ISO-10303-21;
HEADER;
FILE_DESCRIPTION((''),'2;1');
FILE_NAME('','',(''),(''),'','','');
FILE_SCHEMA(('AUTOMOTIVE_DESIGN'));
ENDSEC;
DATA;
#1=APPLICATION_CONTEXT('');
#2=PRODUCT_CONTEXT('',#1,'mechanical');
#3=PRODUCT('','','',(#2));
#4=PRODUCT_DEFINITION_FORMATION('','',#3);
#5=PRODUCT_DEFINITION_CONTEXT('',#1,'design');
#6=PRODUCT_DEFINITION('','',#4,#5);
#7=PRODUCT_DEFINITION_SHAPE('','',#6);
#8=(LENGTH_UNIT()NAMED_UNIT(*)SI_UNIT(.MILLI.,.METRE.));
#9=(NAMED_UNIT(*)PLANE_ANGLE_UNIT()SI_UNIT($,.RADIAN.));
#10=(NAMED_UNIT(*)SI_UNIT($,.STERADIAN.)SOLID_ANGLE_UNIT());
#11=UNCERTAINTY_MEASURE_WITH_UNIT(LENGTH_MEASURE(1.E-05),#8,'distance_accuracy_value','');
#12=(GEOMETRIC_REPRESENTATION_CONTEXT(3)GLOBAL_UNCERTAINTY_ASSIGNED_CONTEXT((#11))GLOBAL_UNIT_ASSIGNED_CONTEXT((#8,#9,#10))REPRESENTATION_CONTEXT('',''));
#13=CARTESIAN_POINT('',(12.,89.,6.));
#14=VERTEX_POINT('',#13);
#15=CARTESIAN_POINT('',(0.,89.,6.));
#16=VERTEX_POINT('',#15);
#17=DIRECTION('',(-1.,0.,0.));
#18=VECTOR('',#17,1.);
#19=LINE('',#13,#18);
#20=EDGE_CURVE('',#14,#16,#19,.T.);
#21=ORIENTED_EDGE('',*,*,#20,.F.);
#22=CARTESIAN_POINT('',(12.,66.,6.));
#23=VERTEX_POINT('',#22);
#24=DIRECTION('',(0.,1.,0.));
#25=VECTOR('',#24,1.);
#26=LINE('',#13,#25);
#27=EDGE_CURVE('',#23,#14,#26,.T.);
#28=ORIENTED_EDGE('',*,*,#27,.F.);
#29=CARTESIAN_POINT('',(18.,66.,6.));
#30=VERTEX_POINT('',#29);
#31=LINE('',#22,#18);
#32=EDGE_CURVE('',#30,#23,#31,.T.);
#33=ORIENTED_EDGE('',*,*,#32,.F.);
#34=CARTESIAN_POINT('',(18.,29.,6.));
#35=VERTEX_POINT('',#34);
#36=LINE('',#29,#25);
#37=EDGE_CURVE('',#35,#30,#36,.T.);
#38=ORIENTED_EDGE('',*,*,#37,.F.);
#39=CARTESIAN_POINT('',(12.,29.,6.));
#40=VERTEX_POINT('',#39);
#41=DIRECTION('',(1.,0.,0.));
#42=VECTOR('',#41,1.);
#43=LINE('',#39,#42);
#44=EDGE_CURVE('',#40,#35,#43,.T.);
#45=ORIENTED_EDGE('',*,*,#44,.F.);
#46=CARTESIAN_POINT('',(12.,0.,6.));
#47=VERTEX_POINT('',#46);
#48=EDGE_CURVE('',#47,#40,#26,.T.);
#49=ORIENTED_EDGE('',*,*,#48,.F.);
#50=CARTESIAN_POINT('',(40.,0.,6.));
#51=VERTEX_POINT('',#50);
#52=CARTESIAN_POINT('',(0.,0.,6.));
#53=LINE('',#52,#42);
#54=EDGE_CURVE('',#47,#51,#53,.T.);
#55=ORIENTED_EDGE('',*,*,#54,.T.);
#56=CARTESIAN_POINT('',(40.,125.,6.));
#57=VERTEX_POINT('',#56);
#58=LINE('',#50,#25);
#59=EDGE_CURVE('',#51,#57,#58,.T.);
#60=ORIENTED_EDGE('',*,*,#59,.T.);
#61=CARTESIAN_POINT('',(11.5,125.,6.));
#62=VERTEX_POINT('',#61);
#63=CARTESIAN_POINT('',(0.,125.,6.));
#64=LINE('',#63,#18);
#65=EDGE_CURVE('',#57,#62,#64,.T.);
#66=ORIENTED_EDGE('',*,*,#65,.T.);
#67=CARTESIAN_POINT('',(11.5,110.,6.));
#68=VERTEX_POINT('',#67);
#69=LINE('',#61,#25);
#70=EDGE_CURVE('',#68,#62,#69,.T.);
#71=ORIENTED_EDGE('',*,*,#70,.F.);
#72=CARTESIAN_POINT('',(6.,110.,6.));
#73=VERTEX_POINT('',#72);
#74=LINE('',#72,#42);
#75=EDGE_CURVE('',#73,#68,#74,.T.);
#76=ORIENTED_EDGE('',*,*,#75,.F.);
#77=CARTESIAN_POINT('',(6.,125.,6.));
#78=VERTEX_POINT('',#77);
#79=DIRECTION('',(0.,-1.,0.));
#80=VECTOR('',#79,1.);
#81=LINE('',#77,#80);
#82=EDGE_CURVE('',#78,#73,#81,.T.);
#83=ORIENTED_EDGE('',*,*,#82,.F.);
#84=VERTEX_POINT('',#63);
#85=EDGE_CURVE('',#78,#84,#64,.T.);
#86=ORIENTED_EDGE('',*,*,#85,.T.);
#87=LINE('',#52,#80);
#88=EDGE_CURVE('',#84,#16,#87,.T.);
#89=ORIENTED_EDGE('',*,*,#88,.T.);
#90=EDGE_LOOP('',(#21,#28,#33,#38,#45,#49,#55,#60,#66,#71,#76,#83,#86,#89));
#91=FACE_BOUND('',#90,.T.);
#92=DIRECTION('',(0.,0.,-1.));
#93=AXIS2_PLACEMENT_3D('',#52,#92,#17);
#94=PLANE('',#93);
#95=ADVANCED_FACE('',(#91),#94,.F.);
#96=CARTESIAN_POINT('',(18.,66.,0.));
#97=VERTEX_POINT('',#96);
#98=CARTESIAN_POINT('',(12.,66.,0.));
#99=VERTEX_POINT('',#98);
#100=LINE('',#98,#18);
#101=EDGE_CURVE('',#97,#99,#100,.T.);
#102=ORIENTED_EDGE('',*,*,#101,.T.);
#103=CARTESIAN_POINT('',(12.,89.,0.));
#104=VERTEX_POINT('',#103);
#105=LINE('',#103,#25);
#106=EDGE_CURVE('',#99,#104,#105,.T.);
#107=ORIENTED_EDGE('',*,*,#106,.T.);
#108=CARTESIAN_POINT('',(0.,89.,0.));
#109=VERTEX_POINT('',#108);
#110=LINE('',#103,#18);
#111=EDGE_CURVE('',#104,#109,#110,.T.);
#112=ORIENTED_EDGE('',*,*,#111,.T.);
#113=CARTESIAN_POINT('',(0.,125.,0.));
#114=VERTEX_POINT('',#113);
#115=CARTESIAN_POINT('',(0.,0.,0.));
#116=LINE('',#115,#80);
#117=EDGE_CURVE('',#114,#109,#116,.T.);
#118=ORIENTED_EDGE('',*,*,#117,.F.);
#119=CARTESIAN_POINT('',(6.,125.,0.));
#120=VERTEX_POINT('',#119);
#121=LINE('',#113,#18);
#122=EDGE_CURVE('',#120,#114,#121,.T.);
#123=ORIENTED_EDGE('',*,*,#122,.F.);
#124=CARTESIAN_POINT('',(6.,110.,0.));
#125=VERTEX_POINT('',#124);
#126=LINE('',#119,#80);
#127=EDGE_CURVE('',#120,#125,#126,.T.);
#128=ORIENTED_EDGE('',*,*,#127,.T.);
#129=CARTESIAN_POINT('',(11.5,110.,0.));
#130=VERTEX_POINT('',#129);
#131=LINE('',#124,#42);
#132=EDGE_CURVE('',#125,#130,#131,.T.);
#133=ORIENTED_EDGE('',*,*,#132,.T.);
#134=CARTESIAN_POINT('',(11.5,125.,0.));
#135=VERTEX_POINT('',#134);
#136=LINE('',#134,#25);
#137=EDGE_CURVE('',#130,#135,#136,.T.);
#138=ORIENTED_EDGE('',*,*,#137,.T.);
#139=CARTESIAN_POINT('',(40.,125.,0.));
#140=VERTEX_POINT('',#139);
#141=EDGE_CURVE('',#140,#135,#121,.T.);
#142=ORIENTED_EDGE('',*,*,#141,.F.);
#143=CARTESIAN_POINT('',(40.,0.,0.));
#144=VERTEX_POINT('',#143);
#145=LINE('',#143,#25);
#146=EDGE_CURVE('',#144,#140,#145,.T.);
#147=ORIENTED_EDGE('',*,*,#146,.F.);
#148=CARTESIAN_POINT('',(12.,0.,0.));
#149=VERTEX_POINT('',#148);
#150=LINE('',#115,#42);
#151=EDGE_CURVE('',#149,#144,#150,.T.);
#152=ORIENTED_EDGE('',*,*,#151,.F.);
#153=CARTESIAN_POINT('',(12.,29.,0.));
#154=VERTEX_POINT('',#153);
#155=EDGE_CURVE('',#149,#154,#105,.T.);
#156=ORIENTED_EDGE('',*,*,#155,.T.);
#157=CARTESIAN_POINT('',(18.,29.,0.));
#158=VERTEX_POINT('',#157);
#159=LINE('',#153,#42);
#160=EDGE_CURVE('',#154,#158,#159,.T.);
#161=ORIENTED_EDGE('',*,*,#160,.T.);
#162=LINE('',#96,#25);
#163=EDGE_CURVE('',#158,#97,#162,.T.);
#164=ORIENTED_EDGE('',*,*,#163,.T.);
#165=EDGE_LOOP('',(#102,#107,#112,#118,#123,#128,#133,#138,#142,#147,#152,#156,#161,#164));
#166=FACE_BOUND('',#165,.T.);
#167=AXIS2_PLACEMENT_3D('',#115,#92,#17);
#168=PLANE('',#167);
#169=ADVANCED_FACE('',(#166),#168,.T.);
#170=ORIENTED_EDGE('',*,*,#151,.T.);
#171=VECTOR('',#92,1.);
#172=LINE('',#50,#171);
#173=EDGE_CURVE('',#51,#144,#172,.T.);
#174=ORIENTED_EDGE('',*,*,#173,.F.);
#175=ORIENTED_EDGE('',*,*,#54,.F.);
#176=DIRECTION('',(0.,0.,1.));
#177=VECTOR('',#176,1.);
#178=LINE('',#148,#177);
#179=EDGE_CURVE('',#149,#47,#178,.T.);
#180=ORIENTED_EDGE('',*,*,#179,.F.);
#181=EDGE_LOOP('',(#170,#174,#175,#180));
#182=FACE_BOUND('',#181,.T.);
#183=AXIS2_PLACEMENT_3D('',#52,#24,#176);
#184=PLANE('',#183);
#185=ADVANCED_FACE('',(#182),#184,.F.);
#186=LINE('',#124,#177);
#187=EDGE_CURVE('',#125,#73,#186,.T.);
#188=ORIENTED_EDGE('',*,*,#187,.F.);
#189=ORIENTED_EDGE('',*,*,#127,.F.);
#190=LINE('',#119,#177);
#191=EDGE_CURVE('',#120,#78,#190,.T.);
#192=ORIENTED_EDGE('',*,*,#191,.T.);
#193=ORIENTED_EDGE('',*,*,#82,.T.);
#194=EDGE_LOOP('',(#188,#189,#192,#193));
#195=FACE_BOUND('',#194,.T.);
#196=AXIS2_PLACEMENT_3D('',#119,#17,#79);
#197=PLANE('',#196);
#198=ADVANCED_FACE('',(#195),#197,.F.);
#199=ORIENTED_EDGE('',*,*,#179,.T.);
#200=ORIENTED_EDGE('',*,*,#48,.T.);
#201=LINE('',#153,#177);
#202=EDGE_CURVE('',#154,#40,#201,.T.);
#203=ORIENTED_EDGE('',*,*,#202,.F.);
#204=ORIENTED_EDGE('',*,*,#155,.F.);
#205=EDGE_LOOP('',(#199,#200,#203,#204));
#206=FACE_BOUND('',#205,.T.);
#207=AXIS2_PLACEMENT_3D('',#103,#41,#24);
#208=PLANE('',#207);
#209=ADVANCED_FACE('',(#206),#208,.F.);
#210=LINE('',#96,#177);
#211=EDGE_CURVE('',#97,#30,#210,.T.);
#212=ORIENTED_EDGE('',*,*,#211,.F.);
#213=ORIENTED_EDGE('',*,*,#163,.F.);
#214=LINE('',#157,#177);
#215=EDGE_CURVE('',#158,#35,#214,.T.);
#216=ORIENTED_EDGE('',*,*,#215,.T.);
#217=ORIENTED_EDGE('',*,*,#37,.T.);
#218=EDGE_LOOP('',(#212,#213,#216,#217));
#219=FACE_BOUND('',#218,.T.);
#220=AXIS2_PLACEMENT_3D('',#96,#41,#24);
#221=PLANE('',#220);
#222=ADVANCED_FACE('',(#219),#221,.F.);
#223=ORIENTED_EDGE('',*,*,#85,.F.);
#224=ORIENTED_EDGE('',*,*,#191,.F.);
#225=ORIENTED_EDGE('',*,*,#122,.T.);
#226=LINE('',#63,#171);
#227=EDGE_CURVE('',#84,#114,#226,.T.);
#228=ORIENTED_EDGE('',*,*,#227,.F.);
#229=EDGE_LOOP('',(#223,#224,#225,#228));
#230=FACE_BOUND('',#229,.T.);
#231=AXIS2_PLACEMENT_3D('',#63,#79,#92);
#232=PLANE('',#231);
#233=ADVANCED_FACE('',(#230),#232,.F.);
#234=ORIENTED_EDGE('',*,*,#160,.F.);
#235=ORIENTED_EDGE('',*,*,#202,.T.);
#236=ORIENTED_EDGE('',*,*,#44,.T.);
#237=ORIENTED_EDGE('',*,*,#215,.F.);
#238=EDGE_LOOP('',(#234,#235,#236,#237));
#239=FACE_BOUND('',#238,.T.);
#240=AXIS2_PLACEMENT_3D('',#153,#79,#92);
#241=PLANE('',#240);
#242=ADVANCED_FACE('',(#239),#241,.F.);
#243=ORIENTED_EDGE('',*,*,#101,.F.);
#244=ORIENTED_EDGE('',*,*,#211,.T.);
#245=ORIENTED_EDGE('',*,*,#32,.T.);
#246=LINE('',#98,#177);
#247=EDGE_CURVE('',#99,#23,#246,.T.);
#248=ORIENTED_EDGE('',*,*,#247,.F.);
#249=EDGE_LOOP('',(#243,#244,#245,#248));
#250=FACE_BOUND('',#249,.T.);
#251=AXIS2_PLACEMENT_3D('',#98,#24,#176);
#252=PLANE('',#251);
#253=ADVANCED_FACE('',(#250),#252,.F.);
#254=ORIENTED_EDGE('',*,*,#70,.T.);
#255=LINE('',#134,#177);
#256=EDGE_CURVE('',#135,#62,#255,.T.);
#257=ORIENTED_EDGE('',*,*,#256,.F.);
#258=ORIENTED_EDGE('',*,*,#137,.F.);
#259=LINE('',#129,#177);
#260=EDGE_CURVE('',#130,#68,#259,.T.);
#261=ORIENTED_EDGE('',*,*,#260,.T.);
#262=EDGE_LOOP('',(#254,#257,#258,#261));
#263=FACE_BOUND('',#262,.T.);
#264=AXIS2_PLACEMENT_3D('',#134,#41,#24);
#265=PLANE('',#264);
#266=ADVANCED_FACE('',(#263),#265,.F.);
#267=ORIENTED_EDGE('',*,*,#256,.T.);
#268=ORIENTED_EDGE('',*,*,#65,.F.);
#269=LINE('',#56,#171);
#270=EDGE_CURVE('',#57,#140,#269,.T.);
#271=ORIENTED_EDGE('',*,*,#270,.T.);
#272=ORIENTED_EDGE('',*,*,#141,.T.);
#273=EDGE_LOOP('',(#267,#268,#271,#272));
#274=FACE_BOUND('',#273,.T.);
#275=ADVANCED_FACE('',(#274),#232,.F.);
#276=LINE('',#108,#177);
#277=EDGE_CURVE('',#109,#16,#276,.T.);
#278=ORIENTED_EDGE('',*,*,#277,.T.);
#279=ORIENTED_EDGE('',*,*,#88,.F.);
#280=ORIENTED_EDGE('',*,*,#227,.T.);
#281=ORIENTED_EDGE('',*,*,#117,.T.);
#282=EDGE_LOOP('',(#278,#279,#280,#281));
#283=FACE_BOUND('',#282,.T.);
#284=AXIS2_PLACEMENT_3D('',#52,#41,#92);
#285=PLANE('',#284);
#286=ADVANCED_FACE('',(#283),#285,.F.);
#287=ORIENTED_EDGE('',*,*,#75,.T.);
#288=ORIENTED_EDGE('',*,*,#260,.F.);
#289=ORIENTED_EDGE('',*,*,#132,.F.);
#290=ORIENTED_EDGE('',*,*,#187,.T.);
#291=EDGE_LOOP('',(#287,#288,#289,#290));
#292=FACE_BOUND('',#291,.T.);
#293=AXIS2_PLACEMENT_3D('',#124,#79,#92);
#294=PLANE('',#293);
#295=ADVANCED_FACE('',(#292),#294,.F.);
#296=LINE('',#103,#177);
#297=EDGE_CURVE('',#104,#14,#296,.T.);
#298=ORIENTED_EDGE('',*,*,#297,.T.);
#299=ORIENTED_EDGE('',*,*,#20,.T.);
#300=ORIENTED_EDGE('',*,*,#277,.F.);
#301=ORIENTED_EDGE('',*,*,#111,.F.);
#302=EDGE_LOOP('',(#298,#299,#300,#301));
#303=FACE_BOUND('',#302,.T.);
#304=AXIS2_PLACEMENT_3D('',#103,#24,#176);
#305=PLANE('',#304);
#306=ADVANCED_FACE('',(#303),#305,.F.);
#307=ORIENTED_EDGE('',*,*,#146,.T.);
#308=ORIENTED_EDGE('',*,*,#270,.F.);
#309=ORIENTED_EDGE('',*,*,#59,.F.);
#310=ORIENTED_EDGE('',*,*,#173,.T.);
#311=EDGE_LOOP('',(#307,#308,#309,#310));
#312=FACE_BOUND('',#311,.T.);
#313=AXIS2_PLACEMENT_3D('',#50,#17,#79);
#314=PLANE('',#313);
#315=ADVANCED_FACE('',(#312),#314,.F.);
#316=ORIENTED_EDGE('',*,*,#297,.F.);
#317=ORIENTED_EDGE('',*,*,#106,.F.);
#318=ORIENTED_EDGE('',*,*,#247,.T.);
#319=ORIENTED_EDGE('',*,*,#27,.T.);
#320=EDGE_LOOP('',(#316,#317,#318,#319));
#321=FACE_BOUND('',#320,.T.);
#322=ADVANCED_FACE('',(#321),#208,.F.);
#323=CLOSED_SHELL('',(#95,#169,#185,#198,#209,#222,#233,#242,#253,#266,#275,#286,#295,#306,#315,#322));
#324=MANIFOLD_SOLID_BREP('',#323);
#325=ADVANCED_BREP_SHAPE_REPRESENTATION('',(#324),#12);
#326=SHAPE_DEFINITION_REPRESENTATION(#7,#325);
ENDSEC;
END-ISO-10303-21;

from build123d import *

# Parameters (mm, degrees)
SKETCH1_W           = 40
SKETCH1_H           = 125
BOSS_EXTRUDE1_DEPTH = 6
SKETCH2_W           = 5.5
SKETCH2_H           = 15
SKETCH2_W_2         = 12
SKETCH2_H_2         = 89
CUT_EXTRUDE1_DEPTH  = 132.381124976
SKETCH3_W           = 6
SKETCH3_H           = 37
CUT_EXTRUDE2_DEPTH  = 132.381124976


with BuildPart() as part:
    # Sketch1 → Boss-Extrude1 (new body)
    with BuildSketch(Plane.XY):
        with Locations((20, 62.5)):
            Rectangle(SKETCH1_W, SKETCH1_H)
    extrude(amount=BOSS_EXTRUDE1_DEPTH)

    # Sketch2 → Cut-Extrude1 (cut, through all)
    with BuildSketch(Plane.XY.offset(6)):
        with Locations((8.75, 117.5)):
            Rectangle(SKETCH2_W, SKETCH2_H)
        with Locations((6, 44.5)):
            Rectangle(SKETCH2_W_2, SKETCH2_H_2)
    extrude(amount=-CUT_EXTRUDE1_DEPTH, mode=Mode.SUBTRACT)

    # Sketch3 → Cut-Extrude2 (cut, through all)
    with BuildSketch(Plane.XY.offset(6)):
        with Locations((15, 47.5)):
            Rectangle(SKETCH3_W, SKETCH3_H)
    extrude(amount=-CUT_EXTRUDE2_DEPTH, mode=Mode.SUBTRACT)


solid = part.part
